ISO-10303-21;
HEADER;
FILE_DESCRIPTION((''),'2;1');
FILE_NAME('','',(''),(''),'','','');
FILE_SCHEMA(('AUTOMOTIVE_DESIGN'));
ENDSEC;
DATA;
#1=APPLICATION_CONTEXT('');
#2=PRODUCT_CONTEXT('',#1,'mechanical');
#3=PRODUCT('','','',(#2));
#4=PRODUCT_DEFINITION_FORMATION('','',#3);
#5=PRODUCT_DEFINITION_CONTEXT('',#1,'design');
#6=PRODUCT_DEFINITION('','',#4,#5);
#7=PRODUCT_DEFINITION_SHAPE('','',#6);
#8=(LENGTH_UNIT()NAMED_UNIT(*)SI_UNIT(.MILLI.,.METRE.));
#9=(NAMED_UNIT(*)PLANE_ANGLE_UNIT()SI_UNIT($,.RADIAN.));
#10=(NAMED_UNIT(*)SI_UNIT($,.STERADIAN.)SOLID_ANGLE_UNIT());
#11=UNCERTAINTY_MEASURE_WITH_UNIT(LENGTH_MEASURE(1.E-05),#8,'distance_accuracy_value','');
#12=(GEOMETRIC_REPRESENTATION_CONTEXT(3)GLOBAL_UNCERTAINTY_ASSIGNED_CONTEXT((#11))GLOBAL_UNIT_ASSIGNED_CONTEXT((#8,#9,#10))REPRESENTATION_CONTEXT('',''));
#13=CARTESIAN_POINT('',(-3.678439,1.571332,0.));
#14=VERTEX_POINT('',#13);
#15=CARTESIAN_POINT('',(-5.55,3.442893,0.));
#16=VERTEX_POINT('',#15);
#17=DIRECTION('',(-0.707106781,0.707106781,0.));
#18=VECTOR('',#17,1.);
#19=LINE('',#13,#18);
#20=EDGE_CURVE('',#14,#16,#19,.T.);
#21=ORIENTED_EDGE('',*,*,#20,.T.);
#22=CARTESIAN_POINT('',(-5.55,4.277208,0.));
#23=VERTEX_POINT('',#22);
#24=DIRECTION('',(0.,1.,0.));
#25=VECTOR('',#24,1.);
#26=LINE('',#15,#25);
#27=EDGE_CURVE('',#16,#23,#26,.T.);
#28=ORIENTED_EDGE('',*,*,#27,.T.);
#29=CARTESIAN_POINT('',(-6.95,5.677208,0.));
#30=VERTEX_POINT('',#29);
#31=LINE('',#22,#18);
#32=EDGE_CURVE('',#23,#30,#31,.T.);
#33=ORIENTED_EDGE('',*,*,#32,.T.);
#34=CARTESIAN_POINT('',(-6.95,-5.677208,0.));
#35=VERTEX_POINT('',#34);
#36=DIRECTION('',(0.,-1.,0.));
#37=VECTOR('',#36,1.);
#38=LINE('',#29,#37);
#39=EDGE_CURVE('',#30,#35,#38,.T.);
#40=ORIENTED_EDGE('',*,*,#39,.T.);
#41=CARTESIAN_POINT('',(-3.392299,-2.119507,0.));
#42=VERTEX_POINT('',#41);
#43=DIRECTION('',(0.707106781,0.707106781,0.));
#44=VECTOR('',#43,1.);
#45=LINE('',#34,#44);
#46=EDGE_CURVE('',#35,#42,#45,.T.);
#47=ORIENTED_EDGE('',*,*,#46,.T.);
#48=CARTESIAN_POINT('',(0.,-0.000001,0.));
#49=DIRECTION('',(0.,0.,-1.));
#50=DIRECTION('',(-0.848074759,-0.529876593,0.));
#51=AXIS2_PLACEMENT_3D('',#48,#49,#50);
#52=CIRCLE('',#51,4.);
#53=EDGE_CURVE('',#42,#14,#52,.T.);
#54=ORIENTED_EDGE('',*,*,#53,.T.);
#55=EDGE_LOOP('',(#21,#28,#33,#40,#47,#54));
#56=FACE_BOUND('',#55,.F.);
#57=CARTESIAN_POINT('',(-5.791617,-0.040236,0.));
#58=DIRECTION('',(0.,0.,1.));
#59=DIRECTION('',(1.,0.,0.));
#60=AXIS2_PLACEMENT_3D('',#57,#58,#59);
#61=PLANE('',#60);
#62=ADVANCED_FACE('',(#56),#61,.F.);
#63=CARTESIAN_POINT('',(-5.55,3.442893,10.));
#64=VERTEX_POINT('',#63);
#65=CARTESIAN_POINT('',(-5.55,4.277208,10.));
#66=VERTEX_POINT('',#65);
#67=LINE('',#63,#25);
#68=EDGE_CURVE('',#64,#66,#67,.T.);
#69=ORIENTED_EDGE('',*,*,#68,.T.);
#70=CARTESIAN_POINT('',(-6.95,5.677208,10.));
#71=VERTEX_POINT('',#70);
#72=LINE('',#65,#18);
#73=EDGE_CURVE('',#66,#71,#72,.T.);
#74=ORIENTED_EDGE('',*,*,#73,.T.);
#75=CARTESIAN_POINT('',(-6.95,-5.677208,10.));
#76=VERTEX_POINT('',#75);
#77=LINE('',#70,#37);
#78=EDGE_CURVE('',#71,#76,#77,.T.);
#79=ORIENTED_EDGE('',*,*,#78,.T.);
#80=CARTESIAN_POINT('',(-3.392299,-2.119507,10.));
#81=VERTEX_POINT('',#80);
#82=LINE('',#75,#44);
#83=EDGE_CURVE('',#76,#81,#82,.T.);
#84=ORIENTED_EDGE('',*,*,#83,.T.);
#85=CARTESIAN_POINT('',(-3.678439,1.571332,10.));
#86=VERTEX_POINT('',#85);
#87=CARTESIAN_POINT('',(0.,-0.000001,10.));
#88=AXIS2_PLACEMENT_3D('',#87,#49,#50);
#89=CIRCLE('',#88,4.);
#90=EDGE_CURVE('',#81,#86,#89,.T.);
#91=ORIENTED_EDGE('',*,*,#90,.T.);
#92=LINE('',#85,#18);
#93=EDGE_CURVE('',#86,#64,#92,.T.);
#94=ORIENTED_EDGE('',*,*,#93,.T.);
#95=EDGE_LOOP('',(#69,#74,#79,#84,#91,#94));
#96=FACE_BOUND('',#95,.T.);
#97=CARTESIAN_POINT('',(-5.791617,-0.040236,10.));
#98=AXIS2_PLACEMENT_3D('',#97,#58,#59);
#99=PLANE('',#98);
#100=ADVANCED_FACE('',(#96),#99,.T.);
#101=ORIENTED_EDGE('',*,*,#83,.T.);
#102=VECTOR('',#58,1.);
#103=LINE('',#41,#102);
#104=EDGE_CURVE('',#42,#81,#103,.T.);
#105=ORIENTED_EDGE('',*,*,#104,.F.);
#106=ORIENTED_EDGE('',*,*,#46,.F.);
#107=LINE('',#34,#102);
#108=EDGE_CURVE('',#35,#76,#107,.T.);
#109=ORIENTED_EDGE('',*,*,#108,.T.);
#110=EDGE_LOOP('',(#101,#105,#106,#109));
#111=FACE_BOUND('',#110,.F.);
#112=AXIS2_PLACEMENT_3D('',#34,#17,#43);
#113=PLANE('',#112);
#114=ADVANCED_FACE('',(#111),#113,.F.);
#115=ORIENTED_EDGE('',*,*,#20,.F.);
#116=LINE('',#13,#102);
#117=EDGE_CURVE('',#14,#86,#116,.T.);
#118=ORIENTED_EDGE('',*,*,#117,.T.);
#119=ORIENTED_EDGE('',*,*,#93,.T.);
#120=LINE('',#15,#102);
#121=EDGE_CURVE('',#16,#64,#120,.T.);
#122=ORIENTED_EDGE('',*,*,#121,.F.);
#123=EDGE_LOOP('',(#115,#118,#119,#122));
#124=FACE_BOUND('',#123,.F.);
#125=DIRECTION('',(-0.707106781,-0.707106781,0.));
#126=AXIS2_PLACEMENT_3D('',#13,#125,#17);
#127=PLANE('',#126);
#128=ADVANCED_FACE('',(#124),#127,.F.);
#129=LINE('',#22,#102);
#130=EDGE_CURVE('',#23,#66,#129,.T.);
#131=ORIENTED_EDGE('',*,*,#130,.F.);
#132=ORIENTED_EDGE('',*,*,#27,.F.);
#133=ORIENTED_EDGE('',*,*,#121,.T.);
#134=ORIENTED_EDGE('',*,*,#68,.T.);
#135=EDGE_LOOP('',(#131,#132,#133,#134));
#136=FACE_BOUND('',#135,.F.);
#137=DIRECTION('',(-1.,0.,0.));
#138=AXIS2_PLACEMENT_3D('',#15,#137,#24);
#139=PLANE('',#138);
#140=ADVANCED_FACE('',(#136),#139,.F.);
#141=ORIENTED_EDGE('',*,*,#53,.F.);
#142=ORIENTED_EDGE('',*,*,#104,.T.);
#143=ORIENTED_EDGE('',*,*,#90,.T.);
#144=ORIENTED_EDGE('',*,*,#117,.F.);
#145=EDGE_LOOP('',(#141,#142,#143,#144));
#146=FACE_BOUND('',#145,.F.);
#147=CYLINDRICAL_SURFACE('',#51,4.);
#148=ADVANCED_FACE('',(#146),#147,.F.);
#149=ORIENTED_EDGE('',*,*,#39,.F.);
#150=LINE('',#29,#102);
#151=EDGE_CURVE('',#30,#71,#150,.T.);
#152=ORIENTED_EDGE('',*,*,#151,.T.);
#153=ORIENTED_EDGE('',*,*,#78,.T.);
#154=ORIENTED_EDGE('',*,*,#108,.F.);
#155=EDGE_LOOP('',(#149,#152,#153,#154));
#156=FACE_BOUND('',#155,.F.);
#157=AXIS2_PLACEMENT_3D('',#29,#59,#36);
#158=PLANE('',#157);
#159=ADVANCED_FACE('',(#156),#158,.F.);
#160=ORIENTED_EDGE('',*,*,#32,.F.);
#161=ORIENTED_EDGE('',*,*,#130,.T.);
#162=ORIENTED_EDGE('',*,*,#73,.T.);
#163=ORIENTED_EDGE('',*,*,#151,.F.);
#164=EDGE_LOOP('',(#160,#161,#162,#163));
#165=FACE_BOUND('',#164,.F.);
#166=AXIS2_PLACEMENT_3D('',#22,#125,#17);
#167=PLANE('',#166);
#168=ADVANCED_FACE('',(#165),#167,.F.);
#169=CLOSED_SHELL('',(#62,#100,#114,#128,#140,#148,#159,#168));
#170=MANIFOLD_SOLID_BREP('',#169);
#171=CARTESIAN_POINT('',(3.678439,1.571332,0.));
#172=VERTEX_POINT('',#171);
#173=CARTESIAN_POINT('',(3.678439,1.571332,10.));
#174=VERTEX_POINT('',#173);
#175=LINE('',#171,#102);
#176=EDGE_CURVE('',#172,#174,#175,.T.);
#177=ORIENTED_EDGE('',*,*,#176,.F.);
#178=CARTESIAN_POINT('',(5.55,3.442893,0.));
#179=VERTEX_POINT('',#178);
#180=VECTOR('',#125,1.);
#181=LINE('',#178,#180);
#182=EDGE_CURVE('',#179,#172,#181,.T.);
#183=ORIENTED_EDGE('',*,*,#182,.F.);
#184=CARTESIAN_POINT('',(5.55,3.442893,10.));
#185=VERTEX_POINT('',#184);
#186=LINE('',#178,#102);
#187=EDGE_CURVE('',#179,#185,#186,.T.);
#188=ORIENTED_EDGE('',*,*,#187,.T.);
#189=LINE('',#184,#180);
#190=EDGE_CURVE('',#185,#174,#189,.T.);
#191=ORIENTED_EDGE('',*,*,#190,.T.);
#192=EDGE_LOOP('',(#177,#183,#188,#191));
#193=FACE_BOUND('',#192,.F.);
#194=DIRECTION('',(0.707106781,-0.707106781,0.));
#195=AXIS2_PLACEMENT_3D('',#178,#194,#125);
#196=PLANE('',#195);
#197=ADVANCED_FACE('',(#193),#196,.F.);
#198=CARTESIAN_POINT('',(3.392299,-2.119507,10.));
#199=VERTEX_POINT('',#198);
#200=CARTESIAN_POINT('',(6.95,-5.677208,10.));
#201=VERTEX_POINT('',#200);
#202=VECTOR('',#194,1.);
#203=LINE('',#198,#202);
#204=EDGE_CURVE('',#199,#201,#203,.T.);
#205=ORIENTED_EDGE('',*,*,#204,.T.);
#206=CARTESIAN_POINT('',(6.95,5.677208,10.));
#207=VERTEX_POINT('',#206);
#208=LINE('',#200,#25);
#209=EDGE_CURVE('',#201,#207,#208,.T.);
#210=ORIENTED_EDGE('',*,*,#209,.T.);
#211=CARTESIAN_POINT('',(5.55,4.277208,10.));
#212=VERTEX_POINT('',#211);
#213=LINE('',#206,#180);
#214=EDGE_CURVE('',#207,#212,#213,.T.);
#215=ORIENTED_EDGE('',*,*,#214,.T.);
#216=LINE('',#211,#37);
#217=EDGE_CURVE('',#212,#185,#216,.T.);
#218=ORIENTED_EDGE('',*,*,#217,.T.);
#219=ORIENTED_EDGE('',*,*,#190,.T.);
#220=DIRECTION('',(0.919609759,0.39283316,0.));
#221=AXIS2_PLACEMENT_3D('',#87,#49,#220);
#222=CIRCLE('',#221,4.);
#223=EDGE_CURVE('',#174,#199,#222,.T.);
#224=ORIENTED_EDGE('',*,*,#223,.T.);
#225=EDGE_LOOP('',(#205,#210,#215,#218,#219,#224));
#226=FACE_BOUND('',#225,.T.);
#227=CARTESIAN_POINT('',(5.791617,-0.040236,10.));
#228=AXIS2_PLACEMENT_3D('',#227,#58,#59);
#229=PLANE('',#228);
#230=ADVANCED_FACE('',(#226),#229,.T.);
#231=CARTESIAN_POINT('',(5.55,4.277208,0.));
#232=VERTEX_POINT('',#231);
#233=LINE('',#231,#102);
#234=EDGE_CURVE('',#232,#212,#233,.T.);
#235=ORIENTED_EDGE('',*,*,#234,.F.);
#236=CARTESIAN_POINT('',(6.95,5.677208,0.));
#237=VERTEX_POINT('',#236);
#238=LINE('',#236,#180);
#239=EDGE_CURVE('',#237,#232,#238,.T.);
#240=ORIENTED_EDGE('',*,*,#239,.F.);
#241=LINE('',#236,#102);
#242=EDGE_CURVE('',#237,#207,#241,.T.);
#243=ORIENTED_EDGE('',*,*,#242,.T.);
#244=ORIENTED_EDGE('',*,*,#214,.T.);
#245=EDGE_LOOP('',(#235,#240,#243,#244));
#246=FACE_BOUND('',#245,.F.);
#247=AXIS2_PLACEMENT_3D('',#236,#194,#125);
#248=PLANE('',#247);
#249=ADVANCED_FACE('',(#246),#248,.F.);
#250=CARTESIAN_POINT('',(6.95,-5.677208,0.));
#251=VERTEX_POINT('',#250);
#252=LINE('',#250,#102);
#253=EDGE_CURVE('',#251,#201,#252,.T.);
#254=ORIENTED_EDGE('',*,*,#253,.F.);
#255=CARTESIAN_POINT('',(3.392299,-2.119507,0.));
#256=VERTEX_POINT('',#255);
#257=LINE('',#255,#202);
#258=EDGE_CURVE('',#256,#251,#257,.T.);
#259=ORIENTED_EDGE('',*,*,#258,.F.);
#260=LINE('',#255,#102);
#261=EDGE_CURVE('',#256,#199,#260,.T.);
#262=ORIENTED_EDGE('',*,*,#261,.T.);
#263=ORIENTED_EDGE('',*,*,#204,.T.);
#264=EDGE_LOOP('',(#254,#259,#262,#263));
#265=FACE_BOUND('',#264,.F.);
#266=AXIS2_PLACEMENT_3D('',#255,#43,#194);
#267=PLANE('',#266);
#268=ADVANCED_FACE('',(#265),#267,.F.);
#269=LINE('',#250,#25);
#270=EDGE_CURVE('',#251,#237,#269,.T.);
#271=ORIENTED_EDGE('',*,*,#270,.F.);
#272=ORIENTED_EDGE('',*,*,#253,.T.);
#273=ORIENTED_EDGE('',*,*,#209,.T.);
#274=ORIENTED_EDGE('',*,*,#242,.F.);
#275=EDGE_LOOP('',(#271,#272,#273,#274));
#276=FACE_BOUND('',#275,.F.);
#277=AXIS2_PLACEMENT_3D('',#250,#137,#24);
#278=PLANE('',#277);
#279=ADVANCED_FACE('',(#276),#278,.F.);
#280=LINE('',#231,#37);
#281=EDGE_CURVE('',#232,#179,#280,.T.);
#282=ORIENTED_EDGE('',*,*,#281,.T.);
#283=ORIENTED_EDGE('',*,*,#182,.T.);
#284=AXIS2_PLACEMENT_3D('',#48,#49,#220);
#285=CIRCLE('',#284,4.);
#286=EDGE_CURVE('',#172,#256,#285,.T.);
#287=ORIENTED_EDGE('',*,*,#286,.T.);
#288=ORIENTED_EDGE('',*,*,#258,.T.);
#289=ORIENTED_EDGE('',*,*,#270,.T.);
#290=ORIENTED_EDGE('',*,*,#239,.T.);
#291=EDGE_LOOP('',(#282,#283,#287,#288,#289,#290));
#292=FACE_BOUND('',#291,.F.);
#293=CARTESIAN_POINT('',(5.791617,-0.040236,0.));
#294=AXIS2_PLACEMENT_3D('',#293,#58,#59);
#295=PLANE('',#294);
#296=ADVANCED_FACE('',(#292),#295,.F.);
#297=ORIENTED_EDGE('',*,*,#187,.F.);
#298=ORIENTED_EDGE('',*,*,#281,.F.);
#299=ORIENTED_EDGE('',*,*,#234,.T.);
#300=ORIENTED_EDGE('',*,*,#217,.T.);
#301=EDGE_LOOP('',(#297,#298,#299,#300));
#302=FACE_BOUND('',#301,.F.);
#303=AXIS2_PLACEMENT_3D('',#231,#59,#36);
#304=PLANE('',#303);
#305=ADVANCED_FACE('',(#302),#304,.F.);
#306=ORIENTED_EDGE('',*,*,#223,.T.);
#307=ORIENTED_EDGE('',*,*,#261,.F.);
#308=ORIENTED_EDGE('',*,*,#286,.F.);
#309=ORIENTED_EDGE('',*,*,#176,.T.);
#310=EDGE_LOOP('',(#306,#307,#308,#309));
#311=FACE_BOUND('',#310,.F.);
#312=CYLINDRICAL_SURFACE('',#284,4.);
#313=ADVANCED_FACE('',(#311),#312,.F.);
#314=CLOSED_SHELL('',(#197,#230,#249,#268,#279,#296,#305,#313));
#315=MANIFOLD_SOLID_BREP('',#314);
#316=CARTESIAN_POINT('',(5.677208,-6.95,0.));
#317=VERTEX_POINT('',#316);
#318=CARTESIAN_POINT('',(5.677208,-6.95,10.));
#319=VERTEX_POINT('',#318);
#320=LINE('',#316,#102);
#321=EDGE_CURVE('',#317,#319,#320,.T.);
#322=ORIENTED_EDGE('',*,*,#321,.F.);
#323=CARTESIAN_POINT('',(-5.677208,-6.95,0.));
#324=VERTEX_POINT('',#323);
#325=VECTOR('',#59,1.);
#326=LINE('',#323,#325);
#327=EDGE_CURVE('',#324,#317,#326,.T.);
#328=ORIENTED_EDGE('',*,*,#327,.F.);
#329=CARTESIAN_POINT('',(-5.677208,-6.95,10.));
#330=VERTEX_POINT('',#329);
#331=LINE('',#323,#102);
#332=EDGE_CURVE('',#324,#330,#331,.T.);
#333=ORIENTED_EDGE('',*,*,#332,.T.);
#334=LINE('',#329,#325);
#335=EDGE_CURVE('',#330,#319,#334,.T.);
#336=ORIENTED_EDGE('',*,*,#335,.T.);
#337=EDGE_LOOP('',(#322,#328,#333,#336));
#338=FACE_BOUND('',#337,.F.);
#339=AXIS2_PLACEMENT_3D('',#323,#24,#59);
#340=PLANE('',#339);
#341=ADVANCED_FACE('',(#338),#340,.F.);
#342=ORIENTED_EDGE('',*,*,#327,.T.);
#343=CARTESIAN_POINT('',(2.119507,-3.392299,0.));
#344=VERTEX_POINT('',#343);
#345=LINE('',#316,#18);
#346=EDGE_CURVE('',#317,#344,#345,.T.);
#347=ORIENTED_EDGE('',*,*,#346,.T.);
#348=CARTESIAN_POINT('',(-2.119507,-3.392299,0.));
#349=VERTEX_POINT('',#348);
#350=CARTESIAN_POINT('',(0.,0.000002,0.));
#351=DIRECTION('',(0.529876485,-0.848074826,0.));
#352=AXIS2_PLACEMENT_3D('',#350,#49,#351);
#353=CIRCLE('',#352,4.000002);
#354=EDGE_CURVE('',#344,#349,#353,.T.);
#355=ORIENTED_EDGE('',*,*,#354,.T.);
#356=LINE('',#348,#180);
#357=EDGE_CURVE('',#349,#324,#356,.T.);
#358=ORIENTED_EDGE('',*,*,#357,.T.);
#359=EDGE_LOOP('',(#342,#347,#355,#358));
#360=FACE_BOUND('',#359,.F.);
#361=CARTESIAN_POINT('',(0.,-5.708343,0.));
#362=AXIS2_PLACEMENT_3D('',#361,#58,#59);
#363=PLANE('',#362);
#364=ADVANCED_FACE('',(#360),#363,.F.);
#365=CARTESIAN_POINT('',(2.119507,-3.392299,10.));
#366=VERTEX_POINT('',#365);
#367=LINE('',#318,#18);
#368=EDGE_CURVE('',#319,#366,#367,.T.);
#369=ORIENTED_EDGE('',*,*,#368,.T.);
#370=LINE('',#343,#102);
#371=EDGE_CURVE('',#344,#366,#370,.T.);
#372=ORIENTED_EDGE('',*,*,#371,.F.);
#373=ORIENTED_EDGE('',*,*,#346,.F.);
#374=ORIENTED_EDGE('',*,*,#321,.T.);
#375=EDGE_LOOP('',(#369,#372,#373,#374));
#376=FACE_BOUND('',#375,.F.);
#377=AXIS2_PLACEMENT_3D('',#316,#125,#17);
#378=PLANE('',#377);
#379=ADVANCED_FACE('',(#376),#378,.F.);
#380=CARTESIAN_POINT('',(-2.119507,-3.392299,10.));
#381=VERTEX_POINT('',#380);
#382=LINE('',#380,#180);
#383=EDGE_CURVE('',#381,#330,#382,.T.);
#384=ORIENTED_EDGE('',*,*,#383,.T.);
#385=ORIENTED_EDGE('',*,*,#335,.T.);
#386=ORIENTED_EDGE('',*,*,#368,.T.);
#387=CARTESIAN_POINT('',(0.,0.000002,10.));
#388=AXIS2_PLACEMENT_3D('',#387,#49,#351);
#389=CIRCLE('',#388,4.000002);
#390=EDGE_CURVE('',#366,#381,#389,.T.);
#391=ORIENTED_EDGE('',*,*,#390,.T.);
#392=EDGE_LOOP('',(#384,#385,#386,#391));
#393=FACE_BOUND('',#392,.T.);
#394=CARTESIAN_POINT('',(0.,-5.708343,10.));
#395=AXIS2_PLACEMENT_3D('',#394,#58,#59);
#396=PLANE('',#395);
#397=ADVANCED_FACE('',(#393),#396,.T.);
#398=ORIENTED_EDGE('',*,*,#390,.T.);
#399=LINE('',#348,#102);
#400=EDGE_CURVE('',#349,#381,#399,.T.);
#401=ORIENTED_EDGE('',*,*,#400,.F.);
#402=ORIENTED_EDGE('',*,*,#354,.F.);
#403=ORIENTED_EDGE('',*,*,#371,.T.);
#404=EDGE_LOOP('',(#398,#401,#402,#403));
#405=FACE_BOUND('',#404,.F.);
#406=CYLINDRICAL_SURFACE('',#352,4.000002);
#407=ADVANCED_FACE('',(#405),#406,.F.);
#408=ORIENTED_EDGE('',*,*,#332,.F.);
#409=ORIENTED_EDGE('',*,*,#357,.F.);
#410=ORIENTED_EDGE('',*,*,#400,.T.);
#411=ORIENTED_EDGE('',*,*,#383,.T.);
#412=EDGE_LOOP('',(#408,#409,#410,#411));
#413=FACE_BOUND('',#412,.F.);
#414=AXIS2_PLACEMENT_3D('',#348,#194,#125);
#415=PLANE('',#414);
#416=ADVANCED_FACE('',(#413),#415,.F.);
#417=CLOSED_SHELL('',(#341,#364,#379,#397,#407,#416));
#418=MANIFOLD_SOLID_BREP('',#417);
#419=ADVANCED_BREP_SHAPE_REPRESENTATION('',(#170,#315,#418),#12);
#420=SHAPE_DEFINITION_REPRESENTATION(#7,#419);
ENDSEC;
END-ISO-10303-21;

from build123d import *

# Parameters (mm, degrees)
F2_DEPTH = 10


with BuildPart() as f2:
    # F1 (on Top) → F2 (new body)
    with BuildSketch(Plane.XY):
        with BuildLine():
            Line((-3.678439, 1.571332), (-5.55, 3.442893))
            Line((-5.55, 3.442893), (-5.55, 4.277208))
            Line((-5.55, 4.277208), (-6.95, 5.677208))
            Line((-6.95, 5.677208), (-6.95, -5.677208))
            Line((-6.95, -5.677208), (-3.392299, -2.119507))
            ThreePointArc((-3.392299, -2.119507), (-3.988033, -0.309181), (-3.678439, 1.571332))
        make_face()
        with BuildLine():
            Line((6.95, -5.677208), (6.95, 5.677208))
            Line((6.95, 5.677208), (5.55, 4.277208))
            Line((5.55, 4.277208), (5.55, 3.442893))
            Line((5.55, 3.442893), (3.678439, 1.571332))
            ThreePointArc((3.678439, 1.571332), (3.988033, -0.309181), (3.392299, -2.119507))
            Line((3.392299, -2.119507), (6.95, -5.677208))
        make_face()
        with BuildLine():
            Line((-2.119507, -3.392299), (-5.677208, -6.95))
            Line((-5.677208, -6.95), (5.677208, -6.95))
            Line((5.677208, -6.95), (2.119507, -3.392299))
            ThreePointArc((2.119507, -3.392299), (0, -4), (-2.119507, -3.392299))
        make_face()
    extrude(amount=F2_DEPTH)


solid = f2.part
